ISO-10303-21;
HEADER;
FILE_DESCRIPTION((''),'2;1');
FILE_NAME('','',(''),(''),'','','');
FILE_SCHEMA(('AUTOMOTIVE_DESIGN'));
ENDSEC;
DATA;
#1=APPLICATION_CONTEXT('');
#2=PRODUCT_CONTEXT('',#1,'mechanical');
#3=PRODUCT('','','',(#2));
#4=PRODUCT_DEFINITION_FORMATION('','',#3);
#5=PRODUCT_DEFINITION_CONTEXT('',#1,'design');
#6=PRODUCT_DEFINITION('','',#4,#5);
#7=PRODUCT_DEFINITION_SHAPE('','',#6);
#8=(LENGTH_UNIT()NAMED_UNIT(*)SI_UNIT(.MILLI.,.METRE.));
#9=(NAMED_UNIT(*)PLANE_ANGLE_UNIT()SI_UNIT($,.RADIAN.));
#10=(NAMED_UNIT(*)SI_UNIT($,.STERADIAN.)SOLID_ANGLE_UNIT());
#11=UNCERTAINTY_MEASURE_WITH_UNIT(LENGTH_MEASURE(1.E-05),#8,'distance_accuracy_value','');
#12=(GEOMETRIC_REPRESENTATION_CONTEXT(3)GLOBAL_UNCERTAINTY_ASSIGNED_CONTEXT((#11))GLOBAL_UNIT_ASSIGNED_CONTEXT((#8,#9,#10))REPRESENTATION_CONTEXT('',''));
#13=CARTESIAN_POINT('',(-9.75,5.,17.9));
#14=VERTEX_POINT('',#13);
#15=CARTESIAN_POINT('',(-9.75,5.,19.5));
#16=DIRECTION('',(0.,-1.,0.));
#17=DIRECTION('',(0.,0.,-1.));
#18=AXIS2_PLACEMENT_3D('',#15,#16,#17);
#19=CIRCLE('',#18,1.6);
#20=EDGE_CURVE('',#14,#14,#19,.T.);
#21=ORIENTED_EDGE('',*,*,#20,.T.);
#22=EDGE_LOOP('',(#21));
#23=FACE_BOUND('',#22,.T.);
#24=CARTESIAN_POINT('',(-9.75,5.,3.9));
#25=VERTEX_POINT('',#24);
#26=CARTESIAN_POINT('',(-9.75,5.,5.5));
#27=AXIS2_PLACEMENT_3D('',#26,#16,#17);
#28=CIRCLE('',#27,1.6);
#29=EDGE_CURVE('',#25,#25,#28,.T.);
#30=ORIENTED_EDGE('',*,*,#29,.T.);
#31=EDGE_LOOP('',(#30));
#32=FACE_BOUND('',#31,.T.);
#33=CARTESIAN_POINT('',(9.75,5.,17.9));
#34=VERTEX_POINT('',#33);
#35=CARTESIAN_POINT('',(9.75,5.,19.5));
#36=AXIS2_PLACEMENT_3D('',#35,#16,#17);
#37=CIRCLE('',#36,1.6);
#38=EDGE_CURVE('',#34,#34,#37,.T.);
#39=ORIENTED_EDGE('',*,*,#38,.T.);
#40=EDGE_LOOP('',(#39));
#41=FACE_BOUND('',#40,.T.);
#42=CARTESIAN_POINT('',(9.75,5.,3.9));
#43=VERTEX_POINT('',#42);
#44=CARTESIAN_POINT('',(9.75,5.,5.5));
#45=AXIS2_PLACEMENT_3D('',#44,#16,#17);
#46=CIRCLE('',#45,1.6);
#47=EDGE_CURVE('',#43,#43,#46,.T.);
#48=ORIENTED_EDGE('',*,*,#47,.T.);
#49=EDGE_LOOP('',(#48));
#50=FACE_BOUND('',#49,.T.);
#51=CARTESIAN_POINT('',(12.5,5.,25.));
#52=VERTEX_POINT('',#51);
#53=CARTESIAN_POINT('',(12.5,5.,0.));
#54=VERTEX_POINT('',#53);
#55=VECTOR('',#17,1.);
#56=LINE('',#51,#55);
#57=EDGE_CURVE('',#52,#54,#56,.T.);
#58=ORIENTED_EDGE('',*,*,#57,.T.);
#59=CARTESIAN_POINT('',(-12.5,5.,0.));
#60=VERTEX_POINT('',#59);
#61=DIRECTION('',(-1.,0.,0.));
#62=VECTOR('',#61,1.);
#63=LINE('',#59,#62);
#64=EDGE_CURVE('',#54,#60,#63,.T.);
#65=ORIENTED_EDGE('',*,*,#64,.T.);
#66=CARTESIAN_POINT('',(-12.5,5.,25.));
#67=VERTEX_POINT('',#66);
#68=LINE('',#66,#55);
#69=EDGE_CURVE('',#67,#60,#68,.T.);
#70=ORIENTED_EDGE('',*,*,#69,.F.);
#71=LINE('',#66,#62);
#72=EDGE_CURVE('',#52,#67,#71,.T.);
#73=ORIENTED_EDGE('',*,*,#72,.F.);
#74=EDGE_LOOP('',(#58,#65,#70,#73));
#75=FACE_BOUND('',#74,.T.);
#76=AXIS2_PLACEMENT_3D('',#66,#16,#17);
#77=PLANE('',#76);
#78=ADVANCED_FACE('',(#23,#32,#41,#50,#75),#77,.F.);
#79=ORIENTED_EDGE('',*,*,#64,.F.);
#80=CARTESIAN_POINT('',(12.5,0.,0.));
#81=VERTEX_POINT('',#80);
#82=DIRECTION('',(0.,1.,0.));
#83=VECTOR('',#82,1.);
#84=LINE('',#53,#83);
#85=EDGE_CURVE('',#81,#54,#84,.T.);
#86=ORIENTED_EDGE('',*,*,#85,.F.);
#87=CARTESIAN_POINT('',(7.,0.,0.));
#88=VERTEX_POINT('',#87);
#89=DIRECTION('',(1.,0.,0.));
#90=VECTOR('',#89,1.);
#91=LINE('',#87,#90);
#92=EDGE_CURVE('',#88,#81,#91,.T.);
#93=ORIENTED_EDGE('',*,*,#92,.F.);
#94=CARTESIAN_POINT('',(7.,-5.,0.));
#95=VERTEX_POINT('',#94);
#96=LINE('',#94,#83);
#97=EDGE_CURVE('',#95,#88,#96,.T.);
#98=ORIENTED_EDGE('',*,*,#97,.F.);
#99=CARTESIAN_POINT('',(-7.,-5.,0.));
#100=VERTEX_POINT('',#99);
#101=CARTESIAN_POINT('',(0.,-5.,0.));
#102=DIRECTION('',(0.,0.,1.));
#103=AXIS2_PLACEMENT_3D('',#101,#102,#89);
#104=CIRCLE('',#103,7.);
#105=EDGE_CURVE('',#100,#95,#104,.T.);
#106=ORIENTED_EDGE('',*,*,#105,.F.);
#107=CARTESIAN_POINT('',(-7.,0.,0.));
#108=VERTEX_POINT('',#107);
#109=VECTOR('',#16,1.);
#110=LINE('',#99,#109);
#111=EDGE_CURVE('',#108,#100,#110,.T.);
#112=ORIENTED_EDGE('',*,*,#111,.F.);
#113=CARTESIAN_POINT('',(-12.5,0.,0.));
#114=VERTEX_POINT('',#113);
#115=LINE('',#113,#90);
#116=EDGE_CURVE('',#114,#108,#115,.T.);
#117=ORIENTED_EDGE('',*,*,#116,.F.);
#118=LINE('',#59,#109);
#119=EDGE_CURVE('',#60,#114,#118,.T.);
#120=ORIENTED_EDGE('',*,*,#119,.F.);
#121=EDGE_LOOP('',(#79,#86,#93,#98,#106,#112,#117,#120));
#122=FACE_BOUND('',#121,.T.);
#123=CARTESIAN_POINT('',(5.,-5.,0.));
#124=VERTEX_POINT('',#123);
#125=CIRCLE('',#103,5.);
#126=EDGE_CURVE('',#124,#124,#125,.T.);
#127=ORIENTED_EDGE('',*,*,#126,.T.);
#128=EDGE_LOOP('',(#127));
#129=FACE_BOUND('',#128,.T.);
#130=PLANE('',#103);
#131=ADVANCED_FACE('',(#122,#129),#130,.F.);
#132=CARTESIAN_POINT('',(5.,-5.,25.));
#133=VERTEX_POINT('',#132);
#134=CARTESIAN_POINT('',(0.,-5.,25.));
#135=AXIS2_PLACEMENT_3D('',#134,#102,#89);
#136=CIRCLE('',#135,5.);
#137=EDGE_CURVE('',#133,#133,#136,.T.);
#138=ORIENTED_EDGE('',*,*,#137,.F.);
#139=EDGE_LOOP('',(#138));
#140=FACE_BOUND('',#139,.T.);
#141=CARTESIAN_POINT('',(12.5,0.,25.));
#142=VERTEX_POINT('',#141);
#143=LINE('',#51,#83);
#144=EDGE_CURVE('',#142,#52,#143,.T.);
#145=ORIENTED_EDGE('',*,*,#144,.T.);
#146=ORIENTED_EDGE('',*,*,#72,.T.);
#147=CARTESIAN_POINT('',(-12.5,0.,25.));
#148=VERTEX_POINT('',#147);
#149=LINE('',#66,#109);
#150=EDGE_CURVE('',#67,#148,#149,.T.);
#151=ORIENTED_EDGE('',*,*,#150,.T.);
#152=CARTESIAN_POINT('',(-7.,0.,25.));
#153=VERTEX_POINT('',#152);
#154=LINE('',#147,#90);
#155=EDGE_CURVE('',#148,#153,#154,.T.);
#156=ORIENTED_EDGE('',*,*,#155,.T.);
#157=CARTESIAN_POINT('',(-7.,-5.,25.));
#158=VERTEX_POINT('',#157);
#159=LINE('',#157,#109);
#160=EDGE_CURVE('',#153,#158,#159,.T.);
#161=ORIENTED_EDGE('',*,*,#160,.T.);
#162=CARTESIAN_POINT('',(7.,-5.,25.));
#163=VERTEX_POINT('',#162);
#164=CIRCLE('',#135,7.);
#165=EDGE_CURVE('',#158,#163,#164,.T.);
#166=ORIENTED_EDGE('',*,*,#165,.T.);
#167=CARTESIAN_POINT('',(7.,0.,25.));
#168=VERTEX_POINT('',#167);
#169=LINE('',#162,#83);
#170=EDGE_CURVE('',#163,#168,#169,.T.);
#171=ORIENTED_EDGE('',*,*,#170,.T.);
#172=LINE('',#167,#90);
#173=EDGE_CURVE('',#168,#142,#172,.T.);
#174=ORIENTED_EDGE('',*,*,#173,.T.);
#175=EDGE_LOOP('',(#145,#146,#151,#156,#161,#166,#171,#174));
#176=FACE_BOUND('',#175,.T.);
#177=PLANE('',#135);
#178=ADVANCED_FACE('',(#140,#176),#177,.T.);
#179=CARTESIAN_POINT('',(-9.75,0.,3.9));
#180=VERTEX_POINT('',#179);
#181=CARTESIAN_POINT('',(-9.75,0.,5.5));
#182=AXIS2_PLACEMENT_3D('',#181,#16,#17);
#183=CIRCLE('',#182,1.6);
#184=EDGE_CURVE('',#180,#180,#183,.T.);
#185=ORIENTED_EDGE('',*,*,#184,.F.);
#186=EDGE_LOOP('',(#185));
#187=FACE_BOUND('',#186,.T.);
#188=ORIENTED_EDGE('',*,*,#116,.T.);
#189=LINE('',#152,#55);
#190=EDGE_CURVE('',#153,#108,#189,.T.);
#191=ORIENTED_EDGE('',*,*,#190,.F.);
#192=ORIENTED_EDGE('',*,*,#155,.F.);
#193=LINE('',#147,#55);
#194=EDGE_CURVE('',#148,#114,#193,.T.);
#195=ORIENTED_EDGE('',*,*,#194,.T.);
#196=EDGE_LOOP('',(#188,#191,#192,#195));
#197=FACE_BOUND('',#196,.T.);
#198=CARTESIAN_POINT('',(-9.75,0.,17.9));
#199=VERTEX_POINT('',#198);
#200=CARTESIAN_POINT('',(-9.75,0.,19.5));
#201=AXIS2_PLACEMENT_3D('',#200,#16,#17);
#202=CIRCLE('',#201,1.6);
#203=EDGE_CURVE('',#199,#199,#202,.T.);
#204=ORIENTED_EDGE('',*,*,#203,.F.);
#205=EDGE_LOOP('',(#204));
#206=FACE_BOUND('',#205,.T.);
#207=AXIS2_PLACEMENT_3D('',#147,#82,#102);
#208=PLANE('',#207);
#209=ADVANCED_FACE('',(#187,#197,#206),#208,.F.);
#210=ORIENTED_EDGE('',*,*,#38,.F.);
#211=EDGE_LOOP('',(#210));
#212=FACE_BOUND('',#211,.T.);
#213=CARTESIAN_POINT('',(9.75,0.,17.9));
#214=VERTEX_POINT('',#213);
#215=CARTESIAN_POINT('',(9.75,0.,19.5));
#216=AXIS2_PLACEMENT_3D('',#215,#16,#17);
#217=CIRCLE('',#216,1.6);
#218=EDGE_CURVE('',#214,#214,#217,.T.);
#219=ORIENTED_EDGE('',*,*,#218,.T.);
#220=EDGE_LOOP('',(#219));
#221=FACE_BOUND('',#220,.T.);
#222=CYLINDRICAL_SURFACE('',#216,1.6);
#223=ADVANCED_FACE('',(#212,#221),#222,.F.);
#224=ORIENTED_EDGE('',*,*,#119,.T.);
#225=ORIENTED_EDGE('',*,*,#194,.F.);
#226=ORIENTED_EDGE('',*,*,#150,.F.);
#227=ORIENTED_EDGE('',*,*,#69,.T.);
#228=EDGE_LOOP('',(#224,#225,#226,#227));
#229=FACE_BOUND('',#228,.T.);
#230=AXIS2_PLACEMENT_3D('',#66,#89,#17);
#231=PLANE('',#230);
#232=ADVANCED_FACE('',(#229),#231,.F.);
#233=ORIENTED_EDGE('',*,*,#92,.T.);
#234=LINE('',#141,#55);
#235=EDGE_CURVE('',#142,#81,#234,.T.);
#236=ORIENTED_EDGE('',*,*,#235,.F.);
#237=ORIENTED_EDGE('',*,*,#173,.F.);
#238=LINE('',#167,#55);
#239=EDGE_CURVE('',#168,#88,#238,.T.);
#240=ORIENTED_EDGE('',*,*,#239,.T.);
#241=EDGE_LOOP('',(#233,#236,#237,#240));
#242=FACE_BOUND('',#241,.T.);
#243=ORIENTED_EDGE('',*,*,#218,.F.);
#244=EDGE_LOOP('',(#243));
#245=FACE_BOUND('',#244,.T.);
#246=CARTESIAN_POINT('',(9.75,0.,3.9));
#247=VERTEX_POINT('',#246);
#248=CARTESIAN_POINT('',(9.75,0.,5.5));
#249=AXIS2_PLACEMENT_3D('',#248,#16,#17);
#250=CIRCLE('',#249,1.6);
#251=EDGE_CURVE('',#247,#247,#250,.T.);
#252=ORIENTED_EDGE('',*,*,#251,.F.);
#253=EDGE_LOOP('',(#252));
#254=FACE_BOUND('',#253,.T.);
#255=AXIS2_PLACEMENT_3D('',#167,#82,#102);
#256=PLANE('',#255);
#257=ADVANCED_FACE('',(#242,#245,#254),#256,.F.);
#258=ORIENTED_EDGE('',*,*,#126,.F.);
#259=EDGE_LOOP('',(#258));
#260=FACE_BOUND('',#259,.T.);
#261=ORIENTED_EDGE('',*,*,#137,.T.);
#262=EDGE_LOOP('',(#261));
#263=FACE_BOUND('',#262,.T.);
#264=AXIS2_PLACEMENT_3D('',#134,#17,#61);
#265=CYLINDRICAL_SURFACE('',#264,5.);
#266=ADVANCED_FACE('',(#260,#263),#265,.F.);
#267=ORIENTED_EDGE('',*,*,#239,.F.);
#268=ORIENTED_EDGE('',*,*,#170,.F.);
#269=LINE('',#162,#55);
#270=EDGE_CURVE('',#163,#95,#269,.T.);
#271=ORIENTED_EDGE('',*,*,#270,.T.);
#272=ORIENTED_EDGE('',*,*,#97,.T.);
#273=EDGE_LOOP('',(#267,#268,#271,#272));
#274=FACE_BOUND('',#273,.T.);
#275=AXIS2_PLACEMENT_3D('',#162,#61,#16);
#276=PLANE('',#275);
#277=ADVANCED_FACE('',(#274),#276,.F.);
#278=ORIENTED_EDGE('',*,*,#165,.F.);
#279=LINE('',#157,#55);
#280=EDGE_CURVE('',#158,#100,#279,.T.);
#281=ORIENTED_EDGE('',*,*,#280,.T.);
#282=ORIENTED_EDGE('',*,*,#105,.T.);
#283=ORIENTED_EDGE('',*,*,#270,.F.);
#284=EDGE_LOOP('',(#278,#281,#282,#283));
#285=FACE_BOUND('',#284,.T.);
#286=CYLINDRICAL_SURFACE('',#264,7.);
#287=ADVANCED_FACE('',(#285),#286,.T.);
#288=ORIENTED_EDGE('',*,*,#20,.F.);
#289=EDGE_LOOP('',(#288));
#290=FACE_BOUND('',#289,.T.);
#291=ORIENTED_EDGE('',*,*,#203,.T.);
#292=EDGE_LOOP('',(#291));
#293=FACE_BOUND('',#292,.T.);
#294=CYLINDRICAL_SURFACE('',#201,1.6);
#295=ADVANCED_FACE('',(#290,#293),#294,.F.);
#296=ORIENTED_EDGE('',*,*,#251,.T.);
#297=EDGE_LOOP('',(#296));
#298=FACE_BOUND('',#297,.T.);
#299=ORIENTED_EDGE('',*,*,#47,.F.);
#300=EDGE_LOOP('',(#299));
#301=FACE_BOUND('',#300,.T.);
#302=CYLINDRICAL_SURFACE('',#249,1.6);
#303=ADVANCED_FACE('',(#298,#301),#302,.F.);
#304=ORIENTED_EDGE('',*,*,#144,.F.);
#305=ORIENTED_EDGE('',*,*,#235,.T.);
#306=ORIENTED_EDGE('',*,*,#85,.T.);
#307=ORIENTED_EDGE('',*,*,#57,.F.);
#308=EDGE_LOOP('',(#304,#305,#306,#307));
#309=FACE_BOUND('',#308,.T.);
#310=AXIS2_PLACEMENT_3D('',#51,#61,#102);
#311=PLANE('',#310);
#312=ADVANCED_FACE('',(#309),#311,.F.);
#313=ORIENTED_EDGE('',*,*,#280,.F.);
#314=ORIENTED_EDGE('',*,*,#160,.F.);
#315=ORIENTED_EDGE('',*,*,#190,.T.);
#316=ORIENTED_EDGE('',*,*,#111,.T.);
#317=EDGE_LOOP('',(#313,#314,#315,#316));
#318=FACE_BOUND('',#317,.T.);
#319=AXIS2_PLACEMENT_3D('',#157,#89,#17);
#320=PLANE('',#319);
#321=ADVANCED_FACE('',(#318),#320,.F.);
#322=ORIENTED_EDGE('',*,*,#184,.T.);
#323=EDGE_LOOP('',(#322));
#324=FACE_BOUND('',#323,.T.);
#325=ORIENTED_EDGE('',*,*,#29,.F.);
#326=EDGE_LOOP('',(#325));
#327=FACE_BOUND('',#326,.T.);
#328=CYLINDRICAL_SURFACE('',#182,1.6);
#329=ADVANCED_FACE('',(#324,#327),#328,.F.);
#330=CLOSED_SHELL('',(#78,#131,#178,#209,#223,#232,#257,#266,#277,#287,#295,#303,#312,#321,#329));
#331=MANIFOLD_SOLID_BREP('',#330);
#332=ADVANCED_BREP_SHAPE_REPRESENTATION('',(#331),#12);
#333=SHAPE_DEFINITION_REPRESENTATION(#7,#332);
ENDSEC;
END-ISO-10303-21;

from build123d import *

# Parameters (mm, degrees)
SZKIC1_R                    = 5
DODANIE_WYCI_GNI_CIE1_DEPTH = 25
OTW_R_3_2_3_2_1_D           = 3.2
OTW_R_3_2_3_2_1_DEPTH       = 5
OTW_R_3_2_3_2_1_TIP         = 0.96137699


with BuildPart() as part:
    # Szkic1 → Dodanie-wyciągnięcie1 (new body)
    with BuildSketch(Plane.XY):
        with BuildLine():
            Line((-7, -5), (-7, 0))
            Line((-7, 0), (-12.5, 0))
            Line((-12.5, 0), (-12.5, 5))
            Line((-12.5, 5), (12.5, 5))
            Line((12.5, 5), (12.5, 0))
            Line((12.5, 0), (7, 0))
            Line((7, 0), (7, -5))
            ThreePointArc((7, -5), (0, -12), (-7, -5))
        make_face()
        with Locations((0, -5)):
            Circle(SZKIC1_R, mode=Mode.SUBTRACT)
    extrude(amount=DODANIE_WYCI_GNI_CIE1_DEPTH)

    # Otwór Ø3.2 (3.2)1
    with Locations(Plane.XZ):
        with Locations((9.75, 19.5), (-9.75, 19.5), (-9.75, 5.5), (9.75, 5.5)):
            Hole(OTW_R_3_2_3_2_1_D / 2, depth=OTW_R_3_2_3_2_1_DEPTH)
            with Locations((0, 0, -(OTW_R_3_2_3_2_1_DEPTH + OTW_R_3_2_3_2_1_TIP / 2))):  # 118° drill point
                Cone(0, OTW_R_3_2_3_2_1_D / 2, OTW_R_3_2_3_2_1_TIP, mode=Mode.SUBTRACT)


solid = part.part
